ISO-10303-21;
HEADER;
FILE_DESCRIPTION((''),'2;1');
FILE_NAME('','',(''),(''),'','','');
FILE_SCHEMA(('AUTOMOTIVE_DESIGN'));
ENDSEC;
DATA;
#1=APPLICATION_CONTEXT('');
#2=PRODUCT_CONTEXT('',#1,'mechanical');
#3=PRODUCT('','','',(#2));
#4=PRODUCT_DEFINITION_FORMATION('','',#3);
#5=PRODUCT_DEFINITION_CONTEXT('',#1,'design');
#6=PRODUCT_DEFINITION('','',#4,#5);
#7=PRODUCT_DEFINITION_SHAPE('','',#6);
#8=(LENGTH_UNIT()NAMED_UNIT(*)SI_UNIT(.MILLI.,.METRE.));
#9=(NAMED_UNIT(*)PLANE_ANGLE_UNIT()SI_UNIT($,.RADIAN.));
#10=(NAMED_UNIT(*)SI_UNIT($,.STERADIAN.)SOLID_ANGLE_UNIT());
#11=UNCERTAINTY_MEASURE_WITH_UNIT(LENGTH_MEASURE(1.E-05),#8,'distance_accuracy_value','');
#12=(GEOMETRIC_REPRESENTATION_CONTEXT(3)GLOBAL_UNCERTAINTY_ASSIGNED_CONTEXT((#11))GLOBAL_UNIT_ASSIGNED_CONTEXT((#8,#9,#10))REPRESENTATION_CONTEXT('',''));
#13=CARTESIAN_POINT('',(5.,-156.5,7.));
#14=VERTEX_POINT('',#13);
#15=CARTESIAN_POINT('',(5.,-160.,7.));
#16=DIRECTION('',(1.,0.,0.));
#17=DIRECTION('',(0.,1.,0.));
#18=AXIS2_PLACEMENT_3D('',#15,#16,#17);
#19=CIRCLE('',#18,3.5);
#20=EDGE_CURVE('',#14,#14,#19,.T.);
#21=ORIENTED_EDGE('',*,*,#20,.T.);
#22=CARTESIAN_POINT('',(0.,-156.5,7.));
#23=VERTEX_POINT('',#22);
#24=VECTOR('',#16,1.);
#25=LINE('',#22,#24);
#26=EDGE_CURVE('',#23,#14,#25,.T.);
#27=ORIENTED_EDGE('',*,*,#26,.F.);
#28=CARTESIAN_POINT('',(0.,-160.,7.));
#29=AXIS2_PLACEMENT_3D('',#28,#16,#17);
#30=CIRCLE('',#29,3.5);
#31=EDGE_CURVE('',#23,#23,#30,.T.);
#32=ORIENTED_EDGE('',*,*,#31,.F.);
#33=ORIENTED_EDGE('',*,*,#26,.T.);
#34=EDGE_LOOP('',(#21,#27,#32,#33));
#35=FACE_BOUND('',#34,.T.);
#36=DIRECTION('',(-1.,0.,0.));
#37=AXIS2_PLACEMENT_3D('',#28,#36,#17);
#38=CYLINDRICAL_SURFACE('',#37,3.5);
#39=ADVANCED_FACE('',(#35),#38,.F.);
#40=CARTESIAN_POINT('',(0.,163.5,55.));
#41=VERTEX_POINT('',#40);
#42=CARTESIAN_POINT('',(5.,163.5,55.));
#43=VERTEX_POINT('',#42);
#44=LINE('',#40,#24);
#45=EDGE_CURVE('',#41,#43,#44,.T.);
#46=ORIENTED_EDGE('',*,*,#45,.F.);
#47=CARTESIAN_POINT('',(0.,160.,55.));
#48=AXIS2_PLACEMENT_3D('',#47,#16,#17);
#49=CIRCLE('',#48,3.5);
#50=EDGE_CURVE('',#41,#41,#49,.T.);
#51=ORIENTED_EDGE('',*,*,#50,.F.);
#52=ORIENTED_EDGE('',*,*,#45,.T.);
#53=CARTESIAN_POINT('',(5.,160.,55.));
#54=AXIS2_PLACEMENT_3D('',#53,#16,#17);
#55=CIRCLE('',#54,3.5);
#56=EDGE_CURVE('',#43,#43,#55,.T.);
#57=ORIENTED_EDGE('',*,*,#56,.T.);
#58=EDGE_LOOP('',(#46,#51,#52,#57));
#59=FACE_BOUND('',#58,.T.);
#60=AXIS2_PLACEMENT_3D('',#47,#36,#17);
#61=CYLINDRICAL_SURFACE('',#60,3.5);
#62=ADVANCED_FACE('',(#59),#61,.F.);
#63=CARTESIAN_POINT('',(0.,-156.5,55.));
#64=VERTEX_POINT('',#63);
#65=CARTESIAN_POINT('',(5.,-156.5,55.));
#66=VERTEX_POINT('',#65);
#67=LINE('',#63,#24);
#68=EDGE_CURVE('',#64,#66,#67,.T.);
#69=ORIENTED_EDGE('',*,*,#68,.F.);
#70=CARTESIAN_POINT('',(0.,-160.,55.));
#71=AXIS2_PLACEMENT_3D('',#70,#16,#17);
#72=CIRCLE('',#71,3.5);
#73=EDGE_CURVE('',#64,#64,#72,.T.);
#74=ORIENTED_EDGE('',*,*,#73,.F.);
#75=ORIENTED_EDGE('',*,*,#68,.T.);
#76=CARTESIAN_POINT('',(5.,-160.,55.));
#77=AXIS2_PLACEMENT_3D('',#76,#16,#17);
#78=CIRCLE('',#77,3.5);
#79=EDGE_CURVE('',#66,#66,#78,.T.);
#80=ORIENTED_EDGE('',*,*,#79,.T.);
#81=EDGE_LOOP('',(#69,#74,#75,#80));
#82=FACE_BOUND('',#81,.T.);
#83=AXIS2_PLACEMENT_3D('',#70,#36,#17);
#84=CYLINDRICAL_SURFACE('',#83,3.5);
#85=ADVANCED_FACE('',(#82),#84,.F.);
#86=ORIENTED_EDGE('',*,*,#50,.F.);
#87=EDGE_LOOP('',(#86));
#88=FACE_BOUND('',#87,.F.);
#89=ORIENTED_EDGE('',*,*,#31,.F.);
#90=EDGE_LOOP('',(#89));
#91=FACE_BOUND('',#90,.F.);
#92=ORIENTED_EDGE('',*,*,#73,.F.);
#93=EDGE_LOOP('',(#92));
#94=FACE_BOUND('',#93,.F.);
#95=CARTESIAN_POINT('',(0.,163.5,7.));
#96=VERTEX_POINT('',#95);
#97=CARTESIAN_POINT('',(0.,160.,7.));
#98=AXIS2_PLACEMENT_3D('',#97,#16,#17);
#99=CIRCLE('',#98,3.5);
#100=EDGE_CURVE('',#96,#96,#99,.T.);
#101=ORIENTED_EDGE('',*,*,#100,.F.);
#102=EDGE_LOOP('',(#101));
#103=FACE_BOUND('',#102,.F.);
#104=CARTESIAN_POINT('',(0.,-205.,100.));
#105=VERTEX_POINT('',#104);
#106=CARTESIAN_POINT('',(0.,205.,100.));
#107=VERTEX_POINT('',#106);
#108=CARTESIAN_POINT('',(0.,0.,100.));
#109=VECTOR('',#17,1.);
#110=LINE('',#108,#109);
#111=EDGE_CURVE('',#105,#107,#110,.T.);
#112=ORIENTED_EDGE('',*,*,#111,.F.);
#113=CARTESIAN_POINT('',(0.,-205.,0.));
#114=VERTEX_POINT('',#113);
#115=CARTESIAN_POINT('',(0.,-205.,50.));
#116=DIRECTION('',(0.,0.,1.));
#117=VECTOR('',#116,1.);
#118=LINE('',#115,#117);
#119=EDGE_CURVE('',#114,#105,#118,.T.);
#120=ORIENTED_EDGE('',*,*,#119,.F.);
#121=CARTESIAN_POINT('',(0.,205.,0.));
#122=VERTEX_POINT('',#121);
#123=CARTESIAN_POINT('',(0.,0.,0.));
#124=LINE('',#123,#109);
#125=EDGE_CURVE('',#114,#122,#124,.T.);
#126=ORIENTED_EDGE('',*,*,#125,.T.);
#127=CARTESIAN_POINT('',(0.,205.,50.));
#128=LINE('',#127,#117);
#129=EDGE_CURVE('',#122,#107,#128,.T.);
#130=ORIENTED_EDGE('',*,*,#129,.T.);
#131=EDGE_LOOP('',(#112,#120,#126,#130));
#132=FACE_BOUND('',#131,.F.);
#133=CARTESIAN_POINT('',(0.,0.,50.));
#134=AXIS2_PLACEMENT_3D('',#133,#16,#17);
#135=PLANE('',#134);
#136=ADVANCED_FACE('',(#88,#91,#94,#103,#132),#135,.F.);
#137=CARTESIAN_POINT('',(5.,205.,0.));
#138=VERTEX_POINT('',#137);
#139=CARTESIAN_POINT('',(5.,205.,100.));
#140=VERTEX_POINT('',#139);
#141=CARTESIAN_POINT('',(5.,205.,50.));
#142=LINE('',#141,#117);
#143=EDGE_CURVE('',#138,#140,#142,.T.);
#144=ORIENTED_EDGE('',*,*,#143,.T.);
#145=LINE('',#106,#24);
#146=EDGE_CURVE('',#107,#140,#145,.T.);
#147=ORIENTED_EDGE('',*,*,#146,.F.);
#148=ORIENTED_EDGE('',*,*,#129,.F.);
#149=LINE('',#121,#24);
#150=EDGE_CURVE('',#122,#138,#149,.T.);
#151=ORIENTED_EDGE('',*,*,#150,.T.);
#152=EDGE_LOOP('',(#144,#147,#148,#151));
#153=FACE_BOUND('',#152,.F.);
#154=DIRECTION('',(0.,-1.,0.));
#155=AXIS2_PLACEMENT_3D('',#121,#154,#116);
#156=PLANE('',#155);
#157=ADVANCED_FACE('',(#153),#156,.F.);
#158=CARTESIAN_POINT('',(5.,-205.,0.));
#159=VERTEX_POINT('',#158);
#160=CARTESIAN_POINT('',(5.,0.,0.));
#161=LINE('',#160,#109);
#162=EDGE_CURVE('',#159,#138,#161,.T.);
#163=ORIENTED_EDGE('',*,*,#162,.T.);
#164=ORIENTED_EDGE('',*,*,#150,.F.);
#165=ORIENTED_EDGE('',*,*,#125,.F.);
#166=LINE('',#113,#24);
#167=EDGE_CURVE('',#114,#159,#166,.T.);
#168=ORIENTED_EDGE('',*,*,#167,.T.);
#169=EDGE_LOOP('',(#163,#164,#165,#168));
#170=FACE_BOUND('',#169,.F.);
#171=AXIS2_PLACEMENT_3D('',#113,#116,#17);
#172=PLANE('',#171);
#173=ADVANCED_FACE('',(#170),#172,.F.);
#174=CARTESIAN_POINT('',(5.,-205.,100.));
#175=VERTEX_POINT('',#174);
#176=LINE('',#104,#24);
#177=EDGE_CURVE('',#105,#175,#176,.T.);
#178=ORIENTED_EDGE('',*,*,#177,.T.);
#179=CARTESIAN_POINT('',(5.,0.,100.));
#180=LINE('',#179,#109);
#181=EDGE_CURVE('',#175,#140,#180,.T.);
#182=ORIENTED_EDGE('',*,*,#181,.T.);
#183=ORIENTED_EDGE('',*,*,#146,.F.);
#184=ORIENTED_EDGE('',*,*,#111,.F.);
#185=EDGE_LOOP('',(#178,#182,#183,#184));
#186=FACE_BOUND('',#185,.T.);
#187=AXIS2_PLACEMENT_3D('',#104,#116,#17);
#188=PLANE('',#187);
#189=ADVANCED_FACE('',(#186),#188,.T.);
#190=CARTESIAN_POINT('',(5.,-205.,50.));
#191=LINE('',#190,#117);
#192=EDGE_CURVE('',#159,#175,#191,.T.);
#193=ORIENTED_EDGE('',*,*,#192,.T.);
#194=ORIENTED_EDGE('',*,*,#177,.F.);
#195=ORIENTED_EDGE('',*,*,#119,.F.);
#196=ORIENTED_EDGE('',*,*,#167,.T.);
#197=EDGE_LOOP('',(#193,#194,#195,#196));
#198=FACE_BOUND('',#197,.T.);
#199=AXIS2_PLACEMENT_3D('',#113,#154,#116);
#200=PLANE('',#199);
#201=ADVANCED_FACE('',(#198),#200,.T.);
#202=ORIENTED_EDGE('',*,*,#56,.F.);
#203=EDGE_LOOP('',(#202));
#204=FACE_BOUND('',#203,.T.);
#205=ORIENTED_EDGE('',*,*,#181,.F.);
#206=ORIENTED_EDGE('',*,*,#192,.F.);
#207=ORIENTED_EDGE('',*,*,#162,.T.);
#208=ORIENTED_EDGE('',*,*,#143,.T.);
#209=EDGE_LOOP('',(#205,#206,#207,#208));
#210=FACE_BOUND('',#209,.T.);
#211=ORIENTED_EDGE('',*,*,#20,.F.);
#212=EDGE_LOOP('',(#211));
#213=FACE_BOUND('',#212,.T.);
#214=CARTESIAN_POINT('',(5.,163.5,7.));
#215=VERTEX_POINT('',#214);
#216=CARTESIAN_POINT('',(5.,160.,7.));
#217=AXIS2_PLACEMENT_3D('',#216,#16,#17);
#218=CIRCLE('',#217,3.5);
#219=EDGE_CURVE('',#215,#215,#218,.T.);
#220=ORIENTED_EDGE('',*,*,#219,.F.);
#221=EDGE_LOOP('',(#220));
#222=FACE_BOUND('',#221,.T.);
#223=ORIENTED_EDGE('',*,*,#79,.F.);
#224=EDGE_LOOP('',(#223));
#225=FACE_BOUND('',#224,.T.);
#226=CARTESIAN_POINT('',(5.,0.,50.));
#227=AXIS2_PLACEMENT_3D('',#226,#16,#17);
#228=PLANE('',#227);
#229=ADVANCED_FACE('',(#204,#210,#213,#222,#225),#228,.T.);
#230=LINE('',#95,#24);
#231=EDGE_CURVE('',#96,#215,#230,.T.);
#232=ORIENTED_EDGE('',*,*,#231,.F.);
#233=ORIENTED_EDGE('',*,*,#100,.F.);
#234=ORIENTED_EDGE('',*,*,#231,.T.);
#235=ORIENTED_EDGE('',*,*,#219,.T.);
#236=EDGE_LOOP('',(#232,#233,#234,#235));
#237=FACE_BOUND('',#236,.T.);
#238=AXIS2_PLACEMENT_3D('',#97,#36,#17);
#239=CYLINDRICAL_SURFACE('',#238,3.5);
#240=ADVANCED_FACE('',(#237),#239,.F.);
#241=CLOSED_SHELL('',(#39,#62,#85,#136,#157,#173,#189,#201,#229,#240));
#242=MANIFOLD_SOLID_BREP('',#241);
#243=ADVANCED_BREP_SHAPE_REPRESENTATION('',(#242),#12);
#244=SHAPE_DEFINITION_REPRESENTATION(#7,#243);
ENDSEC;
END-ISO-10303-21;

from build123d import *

# Parameters (mm, degrees)
F0_W     = 410
F0_H     = 100
F0_R     = 3.5
F1_DEPTH = 5


with BuildPart() as f1:
    # F0 (on Right) → F1 (new body)
    with BuildSketch(Plane.YZ):
        with Locations((0, 50)):
            Rectangle(F0_W, F0_H)
        with Locations((-160, 7)):
            Circle(F0_R, mode=Mode.SUBTRACT)
        with Locations((160, 7)):
            Circle(F0_R, mode=Mode.SUBTRACT)
        with Locations((-160, 55)):
            Circle(F0_R, mode=Mode.SUBTRACT)
        with Locations((160, 55)):
            Circle(F0_R, mode=Mode.SUBTRACT)
    extrude(amount=F1_DEPTH)


solid = f1.part
